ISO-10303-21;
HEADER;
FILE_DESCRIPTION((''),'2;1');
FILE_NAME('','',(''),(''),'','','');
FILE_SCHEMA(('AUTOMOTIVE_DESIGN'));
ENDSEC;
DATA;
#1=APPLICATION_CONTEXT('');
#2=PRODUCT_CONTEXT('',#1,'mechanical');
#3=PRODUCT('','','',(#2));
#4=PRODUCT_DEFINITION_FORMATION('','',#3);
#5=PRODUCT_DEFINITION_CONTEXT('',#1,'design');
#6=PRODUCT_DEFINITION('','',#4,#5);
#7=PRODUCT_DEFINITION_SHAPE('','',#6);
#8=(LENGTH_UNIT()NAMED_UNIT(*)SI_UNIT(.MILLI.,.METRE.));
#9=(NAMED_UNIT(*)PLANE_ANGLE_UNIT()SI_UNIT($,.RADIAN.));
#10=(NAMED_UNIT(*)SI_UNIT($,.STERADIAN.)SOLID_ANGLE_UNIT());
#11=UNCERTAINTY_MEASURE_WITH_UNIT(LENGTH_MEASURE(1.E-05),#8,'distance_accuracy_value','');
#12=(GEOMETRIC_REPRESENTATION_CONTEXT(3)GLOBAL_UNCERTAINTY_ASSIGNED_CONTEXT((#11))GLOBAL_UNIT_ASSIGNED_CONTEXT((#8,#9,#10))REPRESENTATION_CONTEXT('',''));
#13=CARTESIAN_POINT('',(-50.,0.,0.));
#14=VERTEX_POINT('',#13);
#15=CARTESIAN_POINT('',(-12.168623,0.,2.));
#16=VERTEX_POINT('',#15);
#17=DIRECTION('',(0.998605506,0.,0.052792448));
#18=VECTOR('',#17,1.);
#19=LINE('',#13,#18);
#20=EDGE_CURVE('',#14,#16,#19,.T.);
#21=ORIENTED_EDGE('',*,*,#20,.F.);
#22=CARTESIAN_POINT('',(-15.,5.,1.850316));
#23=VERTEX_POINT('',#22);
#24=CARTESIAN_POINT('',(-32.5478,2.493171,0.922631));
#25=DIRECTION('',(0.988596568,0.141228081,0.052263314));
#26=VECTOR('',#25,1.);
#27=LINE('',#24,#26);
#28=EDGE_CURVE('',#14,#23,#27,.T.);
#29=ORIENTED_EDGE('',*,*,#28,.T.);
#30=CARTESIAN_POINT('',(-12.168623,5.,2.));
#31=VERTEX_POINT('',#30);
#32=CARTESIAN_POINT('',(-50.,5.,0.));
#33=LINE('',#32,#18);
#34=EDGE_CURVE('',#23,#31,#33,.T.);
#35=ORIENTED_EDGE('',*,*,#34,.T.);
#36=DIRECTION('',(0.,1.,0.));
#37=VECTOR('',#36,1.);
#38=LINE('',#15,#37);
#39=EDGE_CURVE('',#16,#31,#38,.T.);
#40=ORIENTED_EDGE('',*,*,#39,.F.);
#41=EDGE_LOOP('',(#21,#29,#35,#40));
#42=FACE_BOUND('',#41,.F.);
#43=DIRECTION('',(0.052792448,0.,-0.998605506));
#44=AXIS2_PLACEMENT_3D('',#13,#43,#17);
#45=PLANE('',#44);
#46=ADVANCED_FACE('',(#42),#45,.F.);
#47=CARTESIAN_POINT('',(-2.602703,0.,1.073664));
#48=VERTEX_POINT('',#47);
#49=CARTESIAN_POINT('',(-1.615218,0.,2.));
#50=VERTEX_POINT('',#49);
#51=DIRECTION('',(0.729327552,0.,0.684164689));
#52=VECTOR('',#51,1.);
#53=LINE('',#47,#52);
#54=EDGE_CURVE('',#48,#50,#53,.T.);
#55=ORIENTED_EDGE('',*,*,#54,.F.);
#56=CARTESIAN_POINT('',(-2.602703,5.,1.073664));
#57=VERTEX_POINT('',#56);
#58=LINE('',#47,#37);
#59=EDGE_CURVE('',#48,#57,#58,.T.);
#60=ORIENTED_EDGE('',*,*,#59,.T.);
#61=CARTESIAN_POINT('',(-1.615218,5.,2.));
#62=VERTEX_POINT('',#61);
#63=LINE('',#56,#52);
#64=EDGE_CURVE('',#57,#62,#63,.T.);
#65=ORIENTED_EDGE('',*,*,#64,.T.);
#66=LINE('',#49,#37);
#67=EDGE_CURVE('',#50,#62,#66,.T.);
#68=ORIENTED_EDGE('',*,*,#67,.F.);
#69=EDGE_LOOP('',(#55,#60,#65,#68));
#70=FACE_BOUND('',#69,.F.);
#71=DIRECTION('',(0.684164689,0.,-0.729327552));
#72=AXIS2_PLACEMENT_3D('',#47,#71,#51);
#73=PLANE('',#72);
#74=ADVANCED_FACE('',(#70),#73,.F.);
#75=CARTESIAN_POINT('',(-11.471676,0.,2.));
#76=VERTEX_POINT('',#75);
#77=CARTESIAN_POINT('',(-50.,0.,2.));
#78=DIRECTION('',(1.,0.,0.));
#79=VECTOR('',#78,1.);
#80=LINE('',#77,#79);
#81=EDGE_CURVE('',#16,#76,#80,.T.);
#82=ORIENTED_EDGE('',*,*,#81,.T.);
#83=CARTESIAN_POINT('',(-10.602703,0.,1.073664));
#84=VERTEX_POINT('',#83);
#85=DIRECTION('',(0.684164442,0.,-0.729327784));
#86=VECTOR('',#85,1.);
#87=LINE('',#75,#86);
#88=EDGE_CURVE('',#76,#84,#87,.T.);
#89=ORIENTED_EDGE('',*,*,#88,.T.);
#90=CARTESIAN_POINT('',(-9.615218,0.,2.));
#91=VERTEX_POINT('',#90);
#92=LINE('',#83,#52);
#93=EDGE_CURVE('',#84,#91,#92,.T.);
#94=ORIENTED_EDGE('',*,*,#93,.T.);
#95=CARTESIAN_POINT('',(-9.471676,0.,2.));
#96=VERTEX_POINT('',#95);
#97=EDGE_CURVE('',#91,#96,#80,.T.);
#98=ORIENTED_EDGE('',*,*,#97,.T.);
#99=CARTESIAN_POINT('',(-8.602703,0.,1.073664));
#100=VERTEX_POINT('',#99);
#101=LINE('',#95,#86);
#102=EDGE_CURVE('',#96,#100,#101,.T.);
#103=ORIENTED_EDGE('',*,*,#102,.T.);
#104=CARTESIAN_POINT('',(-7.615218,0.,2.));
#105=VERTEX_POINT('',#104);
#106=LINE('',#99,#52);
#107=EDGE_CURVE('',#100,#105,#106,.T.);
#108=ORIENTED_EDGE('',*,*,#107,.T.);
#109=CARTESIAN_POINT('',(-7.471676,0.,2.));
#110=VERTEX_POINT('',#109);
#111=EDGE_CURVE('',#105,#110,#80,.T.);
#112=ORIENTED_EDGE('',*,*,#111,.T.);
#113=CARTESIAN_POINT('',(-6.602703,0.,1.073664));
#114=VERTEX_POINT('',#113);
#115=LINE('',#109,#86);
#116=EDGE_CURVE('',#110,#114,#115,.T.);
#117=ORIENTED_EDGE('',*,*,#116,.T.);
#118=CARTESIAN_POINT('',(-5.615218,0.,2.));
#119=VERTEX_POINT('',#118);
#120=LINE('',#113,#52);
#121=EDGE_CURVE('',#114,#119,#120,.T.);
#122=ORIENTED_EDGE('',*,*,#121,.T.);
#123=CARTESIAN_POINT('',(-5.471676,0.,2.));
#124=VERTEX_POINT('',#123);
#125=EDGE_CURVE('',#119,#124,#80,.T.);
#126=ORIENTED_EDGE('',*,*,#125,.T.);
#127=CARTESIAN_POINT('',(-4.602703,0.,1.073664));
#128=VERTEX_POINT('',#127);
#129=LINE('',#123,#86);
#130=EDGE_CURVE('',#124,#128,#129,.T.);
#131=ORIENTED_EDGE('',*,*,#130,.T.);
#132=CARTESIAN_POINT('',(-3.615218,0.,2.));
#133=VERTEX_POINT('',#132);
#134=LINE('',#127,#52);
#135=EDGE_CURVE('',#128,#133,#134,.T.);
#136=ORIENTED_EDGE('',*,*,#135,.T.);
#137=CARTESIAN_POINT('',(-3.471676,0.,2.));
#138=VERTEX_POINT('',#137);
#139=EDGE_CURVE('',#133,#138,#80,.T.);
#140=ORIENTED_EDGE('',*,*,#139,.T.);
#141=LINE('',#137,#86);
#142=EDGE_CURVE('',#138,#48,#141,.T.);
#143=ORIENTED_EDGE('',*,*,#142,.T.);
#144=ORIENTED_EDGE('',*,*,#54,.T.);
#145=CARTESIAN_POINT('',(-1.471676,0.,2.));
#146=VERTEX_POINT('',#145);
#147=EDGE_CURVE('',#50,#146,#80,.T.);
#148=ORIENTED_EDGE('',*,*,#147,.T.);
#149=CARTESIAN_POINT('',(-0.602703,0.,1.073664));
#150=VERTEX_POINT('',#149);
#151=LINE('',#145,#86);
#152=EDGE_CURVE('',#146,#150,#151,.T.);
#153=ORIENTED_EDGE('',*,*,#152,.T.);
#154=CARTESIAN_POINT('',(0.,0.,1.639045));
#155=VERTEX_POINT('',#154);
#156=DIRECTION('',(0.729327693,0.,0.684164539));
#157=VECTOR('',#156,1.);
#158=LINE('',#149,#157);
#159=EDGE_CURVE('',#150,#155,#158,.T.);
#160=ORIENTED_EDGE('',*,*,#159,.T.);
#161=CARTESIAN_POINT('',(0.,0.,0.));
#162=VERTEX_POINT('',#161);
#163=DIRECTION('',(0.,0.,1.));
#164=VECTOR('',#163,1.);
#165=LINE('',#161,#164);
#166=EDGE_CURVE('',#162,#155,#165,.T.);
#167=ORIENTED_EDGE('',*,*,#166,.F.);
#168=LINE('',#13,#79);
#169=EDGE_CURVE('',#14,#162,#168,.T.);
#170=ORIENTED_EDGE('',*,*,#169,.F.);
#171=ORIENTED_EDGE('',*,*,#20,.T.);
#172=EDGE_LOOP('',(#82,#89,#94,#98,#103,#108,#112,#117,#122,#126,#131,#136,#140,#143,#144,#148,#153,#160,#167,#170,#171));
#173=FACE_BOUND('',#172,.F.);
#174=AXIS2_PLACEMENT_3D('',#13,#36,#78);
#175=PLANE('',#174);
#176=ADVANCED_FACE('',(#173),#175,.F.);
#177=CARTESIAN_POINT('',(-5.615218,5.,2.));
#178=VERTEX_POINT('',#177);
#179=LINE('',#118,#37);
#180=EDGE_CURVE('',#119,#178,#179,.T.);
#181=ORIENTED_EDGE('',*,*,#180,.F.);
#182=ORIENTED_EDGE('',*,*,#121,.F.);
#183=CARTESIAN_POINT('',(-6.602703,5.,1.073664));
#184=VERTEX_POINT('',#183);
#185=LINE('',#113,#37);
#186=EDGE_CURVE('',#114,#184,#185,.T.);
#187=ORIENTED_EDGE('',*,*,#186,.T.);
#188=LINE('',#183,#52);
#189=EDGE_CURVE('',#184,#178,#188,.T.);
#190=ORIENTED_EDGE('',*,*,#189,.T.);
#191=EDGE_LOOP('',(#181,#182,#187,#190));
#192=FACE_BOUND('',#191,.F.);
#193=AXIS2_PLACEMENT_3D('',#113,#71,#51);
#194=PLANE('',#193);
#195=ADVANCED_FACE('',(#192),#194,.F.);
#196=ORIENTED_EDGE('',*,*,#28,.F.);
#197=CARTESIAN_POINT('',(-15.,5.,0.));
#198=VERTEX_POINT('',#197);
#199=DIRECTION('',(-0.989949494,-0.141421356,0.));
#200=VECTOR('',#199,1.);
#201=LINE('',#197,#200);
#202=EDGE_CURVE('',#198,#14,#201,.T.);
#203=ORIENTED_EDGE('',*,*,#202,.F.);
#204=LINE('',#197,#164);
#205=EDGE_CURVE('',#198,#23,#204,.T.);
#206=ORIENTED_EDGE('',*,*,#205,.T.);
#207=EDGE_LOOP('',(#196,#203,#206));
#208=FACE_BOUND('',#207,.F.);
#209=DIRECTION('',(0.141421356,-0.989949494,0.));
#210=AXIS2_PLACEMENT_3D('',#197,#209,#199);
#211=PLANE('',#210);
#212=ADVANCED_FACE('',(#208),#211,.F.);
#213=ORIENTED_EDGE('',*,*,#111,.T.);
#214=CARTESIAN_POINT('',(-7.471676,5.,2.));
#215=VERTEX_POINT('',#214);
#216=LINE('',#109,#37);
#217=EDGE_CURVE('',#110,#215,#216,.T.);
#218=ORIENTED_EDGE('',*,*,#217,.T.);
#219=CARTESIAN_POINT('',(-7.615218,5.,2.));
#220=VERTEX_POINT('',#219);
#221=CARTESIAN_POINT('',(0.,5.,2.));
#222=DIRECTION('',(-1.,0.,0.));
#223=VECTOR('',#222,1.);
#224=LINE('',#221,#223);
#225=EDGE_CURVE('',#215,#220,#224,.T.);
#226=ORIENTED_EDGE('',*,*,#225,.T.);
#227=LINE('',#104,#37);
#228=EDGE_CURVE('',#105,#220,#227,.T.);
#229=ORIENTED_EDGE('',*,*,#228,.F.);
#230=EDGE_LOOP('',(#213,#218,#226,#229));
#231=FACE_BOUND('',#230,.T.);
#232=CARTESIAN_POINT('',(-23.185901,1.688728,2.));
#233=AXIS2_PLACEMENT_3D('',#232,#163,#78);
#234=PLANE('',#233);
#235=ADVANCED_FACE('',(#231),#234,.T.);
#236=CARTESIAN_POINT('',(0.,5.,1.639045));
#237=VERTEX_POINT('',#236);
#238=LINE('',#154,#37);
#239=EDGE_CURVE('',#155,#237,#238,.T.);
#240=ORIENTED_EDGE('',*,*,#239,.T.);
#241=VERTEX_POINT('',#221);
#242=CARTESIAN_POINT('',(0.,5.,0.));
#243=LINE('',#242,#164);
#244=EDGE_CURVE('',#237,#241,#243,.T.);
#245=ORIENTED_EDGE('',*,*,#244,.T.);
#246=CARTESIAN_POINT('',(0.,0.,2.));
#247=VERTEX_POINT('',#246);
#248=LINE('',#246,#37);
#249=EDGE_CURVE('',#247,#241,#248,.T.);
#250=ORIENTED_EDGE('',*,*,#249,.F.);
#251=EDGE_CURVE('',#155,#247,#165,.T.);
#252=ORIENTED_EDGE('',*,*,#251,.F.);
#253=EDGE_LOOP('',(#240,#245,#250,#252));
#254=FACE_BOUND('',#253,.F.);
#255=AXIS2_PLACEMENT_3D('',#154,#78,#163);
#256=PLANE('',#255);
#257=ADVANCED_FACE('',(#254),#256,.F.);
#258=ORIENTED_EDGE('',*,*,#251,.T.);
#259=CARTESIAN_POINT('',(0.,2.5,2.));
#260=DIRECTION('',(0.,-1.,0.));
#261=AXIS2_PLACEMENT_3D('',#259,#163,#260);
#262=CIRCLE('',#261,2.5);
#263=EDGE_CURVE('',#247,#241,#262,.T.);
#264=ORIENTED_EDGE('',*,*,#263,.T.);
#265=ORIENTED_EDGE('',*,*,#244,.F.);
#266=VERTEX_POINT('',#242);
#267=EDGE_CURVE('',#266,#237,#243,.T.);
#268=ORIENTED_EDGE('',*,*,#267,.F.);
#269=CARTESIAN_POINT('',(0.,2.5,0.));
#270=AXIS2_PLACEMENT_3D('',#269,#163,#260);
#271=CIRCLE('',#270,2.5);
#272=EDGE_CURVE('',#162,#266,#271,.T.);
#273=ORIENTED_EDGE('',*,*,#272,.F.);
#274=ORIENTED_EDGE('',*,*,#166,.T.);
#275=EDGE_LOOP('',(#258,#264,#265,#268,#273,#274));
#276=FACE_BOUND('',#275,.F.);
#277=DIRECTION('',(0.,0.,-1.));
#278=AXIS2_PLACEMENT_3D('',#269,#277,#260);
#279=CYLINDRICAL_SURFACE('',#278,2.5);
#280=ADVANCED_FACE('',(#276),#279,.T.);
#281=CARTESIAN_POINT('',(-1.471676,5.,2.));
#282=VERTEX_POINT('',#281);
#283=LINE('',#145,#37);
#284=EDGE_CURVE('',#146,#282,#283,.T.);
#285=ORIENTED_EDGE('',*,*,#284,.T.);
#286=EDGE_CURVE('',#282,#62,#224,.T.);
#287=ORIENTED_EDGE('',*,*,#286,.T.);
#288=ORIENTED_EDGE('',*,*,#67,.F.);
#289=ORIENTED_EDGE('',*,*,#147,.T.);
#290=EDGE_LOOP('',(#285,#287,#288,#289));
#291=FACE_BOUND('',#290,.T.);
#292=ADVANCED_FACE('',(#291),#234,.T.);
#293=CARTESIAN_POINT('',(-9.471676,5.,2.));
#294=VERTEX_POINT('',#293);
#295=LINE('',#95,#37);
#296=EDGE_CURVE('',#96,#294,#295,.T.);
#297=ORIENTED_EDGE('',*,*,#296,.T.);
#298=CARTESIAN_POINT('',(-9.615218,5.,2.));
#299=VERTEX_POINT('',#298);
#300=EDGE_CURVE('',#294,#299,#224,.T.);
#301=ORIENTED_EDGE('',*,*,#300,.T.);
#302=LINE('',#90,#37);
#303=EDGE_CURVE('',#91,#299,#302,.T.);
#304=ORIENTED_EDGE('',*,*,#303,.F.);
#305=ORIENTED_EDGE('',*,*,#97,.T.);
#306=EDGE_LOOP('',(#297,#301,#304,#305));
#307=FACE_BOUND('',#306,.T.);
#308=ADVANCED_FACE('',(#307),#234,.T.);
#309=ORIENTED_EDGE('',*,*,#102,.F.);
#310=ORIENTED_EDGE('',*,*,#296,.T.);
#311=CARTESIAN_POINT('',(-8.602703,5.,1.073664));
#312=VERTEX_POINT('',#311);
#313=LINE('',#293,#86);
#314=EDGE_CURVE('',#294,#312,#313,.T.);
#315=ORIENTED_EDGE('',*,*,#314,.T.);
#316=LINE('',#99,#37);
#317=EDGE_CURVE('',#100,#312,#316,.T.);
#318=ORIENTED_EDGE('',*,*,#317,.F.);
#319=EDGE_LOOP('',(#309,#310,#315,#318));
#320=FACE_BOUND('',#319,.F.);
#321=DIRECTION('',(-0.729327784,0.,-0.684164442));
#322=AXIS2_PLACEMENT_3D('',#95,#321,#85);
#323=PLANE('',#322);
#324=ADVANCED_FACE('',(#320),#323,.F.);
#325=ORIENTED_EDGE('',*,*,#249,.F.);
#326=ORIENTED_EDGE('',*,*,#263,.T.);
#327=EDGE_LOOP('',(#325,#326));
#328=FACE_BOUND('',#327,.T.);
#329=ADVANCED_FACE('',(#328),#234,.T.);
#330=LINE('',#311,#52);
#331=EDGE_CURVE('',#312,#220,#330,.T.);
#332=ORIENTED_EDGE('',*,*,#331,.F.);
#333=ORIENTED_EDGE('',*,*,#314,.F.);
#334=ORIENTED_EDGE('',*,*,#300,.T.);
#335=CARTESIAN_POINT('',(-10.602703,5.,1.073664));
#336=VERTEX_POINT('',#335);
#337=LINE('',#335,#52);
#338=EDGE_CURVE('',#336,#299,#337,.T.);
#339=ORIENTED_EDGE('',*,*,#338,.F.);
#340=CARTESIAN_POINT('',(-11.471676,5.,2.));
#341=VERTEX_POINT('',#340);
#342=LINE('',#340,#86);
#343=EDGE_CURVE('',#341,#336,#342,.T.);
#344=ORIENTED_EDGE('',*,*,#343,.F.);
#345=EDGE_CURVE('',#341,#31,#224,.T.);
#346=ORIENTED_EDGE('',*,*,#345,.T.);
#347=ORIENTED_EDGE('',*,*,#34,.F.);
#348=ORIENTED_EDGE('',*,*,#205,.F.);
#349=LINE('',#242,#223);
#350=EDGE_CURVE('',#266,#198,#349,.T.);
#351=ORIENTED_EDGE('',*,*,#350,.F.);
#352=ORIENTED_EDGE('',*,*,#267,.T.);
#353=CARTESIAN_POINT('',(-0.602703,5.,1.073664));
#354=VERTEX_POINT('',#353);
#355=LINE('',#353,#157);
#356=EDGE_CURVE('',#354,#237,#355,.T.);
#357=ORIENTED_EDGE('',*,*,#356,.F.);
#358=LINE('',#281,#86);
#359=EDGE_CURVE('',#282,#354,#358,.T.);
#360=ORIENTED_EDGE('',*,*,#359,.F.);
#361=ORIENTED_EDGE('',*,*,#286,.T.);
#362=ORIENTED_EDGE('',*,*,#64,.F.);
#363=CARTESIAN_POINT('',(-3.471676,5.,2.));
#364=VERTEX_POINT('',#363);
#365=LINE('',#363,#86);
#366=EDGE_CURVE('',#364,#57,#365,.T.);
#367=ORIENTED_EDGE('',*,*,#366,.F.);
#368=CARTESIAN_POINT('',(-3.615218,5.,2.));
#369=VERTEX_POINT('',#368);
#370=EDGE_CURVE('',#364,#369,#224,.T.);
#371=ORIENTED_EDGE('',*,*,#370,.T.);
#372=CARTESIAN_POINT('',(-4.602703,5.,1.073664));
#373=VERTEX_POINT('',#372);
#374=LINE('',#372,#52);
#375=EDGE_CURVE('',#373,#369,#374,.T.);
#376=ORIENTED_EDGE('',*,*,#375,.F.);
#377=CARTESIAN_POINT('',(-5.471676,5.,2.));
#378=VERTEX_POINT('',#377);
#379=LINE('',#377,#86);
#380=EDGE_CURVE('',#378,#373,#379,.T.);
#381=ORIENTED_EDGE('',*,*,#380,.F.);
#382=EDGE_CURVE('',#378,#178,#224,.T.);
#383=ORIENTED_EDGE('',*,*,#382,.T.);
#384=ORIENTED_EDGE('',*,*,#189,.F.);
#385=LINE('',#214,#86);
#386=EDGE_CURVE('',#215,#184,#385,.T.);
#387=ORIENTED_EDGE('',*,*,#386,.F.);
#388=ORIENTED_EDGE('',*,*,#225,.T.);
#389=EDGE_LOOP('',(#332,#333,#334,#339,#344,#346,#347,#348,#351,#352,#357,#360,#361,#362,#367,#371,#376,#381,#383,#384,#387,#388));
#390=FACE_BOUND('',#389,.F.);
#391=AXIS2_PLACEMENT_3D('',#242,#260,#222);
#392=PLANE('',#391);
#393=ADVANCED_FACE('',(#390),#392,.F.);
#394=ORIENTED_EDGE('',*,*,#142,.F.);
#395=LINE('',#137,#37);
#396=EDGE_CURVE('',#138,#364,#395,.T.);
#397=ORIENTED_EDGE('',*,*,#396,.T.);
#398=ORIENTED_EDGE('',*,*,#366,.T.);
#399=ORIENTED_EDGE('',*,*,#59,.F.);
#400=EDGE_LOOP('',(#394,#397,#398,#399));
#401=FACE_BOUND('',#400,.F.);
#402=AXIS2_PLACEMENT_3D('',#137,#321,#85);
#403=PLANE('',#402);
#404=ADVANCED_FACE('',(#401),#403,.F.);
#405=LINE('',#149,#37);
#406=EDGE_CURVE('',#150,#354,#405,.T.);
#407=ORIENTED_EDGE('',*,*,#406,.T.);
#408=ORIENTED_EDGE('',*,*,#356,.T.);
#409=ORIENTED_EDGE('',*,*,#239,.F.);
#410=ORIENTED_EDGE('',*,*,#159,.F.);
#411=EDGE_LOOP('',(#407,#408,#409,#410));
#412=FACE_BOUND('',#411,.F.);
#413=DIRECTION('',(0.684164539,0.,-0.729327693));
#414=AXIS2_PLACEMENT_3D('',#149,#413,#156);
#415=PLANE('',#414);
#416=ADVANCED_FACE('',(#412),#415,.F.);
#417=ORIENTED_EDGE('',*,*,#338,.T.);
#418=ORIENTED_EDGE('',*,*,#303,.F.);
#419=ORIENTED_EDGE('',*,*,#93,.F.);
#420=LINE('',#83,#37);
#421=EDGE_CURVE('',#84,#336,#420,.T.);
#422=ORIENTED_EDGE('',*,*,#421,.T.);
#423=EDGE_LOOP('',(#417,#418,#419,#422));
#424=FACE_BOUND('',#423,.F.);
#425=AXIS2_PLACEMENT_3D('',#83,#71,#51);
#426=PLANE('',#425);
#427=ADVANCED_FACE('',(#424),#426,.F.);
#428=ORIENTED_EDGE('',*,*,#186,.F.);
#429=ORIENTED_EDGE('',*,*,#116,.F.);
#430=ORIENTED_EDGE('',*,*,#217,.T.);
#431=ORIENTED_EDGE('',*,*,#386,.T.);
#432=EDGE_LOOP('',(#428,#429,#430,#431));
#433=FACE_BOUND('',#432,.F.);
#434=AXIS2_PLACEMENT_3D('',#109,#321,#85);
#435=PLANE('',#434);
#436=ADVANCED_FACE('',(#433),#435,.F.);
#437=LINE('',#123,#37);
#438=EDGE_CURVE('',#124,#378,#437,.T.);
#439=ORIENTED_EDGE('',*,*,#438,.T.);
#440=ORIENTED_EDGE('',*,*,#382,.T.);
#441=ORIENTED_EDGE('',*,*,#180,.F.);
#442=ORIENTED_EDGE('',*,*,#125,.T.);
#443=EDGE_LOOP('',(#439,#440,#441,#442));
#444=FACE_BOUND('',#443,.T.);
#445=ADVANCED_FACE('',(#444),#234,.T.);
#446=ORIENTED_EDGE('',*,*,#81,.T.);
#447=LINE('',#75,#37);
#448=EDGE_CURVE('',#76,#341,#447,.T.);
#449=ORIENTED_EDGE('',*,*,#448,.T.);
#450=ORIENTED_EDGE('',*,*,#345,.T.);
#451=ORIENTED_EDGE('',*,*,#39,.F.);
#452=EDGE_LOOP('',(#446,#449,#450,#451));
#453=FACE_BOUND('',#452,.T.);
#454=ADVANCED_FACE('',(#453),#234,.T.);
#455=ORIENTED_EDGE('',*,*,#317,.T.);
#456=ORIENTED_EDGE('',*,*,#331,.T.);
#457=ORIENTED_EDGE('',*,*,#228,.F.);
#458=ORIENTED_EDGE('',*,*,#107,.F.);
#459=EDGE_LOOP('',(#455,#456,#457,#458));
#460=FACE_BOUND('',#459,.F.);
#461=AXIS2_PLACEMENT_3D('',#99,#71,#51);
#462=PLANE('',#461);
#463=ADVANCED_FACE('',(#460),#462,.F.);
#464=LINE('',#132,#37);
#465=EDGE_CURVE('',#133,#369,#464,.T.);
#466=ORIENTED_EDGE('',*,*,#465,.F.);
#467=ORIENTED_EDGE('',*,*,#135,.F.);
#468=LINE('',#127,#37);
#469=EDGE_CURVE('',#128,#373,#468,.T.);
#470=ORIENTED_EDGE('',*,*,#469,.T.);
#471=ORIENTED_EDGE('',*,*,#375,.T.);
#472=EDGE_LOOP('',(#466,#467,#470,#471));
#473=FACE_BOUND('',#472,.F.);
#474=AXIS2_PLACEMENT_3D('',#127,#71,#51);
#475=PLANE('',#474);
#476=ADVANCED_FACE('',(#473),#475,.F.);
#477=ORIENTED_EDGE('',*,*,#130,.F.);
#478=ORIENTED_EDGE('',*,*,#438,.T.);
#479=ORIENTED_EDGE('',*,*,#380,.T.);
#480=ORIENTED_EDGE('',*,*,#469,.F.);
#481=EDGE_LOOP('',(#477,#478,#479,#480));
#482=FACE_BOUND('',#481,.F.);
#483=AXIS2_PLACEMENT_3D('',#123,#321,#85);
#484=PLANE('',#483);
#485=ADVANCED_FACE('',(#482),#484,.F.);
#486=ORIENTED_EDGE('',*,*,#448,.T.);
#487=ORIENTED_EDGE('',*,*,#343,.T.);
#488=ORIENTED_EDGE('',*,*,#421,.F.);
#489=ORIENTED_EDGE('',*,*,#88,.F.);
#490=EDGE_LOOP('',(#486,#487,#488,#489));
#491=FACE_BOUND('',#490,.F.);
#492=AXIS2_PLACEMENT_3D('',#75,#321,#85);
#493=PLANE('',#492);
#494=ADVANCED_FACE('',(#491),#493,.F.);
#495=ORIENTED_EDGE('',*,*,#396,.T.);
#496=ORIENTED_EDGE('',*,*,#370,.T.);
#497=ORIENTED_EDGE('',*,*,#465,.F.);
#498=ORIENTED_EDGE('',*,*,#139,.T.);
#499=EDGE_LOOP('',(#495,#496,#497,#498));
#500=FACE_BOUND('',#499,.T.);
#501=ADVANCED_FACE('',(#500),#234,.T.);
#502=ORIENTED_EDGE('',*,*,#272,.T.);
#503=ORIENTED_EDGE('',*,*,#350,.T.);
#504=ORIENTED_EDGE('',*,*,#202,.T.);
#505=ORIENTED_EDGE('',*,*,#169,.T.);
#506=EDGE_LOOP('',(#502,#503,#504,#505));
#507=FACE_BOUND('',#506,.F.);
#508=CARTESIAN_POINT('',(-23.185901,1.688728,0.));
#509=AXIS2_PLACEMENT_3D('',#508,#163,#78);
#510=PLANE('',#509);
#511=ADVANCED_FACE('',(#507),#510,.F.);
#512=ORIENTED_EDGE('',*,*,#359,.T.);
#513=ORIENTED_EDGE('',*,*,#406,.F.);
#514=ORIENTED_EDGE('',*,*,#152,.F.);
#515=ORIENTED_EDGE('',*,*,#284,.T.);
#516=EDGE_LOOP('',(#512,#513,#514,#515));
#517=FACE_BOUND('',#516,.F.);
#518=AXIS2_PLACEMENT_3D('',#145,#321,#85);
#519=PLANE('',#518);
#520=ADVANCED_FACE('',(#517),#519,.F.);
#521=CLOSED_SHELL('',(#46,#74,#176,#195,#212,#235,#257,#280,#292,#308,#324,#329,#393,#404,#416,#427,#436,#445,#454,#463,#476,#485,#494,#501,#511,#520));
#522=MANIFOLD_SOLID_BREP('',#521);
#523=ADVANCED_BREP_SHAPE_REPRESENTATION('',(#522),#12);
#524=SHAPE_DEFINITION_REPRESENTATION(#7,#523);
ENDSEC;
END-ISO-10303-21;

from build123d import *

# Parameters (mm, degrees)
F1_DEPTH = 2
F3_DEPTH = 5
F5_DEPTH = 5


with BuildPart() as f1:
    # F0 (on Top) → F1 (new body)
    with BuildSketch(Plane.XY):
        with BuildLine():
            Line((-15, 5), (-50, 0))
            Line((-50, 0), (0, 0))
            ThreePointArc((0, 0), (2.5, 2.5), (0, 5))
            Line((0, 5), (-15, 5))
        make_face()
    extrude(amount=F1_DEPTH)

    # F2 (on face) → F3 (cut)
    with BuildSketch(Plane.XZ):
        Polygon((-50, 2), (-50, 0), (-12.168623, 2), align=None)
    extrude(amount=-F3_DEPTH, mode=Mode.SUBTRACT)

    # F4 (on face) → F5 (cut)
    with BuildSketch(Plane.XZ):
        Polygon((-9.615218, 2), (-11.471676, 2), (-10.602703, 1.073664), align=None)
        Polygon((-7.615218, 2), (-9.471676, 2), (-8.602703, 1.073664), align=None)
        Polygon((-5.615218, 2), (-7.471676, 2), (-6.602703, 1.073664), align=None)
        Polygon((-3.615218, 2), (-5.471676, 2), (-4.602703, 1.073664), align=None)
        Polygon((-2.602703, 1.073664), (-1.615218, 2), (-3.471676, 2), align=None)
        Polygon((-0.602703, 1.073664), (0, 1.639045), (0, 2), (-1.471676, 2), align=None)
    extrude(amount=-F5_DEPTH, mode=Mode.SUBTRACT)


solid = f1.part
